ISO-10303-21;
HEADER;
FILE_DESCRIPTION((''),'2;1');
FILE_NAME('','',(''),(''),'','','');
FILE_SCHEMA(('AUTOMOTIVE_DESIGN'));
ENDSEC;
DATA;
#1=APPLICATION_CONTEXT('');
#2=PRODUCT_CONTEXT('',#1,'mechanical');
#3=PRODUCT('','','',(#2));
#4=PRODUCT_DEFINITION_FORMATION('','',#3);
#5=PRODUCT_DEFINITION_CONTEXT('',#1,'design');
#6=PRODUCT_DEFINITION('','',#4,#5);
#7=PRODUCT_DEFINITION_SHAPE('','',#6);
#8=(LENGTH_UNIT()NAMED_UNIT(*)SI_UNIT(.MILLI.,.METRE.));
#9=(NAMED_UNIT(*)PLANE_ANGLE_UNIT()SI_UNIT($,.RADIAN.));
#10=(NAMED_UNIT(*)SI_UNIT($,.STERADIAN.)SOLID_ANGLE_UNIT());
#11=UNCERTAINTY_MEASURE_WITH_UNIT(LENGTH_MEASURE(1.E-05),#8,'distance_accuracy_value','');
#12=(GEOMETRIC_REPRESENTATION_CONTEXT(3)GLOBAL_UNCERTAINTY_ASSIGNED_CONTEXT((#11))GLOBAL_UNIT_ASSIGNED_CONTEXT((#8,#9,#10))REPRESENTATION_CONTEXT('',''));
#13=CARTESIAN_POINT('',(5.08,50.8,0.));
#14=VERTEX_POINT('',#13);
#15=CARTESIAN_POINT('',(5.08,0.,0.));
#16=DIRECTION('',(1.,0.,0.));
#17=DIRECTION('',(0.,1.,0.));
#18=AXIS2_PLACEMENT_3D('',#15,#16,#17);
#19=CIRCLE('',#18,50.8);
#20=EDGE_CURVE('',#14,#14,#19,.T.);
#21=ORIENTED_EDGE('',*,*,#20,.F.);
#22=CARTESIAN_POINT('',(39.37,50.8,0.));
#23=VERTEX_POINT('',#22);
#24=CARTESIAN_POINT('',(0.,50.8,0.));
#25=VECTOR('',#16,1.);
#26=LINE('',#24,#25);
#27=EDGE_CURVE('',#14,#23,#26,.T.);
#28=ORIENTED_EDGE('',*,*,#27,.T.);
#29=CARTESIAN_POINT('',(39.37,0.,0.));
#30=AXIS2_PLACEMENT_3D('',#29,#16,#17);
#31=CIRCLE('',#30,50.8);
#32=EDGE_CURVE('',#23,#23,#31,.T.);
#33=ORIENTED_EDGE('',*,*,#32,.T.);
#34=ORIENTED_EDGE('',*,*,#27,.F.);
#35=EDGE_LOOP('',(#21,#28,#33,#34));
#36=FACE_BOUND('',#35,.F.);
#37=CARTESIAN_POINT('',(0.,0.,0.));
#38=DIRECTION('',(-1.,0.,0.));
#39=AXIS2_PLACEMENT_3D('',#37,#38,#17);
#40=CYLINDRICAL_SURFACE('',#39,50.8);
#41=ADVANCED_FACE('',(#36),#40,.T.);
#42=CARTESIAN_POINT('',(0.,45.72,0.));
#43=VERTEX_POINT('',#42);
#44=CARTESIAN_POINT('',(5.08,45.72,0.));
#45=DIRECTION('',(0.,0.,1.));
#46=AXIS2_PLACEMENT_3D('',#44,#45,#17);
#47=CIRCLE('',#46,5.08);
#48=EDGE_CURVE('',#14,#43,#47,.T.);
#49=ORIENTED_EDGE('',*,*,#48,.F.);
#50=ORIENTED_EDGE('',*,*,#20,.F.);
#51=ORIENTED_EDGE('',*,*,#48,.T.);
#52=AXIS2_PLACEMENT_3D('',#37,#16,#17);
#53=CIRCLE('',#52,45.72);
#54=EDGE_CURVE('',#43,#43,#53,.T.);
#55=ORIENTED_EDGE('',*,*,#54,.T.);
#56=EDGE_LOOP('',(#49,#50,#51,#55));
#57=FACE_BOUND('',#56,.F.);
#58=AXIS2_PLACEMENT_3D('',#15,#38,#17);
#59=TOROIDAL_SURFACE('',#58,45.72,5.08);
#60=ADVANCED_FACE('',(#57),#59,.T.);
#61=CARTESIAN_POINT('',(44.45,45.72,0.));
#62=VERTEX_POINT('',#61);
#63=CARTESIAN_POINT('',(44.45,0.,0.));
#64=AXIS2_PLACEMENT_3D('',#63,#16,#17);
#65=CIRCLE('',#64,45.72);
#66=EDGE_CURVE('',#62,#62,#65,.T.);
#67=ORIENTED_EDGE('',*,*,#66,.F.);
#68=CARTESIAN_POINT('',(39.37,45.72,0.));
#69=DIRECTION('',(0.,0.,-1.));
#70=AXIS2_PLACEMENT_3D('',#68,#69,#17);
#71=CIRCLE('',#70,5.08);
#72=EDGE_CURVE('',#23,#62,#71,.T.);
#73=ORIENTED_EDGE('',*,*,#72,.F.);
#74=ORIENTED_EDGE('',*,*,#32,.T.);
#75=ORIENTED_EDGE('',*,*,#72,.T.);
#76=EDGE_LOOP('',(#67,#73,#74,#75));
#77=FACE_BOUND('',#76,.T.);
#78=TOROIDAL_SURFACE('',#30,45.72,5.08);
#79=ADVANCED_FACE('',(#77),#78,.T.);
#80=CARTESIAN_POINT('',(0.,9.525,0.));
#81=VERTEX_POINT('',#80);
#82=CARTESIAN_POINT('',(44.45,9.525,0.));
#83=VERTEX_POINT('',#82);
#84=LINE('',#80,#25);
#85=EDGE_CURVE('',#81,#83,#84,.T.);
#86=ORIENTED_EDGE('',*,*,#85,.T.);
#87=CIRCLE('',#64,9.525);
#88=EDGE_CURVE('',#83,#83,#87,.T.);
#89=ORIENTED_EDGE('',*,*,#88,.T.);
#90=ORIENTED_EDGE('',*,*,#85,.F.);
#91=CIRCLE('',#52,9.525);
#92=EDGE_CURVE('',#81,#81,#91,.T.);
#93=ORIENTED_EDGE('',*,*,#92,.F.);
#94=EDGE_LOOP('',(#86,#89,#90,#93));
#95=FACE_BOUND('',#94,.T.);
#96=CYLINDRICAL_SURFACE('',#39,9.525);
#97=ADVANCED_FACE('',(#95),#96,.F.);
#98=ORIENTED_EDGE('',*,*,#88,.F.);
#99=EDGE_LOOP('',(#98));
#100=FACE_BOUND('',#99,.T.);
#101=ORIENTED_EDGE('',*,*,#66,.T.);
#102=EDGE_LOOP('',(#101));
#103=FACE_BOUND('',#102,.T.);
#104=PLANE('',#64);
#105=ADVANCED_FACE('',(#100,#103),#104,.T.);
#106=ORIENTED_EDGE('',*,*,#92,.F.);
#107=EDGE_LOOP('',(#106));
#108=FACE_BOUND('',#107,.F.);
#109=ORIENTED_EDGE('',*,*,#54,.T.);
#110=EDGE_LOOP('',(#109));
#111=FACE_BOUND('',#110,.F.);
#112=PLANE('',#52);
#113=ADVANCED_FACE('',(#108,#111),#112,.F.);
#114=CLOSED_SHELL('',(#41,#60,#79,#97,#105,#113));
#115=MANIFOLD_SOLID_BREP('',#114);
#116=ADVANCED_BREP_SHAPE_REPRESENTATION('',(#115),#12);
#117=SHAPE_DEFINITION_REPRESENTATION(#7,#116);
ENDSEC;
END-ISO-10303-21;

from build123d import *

# Parameters (mm, degrees)
F0_R     = 50.8
F0_R_2   = 9.525
F1_DEPTH = 44.45
F2_R     = 5.08
F3_R     = 5.08


with BuildPart() as f1:
    # F0 (on Right) → F1 (new body)
    with BuildSketch(Plane.YZ):
        Circle(F0_R)
        Circle(F0_R_2, mode=Mode.SUBTRACT)
    extrude(amount=F1_DEPTH)

    # F2
    f2_edges = [f1.edges().sort_by_distance(p)[0] for p in [
        (44.45, -50.8, 0),
    ]]
    fillet(f2_edges, radius=F2_R)

    # F3
    f3_edges = [f1.edges().sort_by_distance(p)[0] for p in [
        (0, -50.8, 0),
    ]]
    fillet(f3_edges, radius=F3_R)


solid = f1.part
